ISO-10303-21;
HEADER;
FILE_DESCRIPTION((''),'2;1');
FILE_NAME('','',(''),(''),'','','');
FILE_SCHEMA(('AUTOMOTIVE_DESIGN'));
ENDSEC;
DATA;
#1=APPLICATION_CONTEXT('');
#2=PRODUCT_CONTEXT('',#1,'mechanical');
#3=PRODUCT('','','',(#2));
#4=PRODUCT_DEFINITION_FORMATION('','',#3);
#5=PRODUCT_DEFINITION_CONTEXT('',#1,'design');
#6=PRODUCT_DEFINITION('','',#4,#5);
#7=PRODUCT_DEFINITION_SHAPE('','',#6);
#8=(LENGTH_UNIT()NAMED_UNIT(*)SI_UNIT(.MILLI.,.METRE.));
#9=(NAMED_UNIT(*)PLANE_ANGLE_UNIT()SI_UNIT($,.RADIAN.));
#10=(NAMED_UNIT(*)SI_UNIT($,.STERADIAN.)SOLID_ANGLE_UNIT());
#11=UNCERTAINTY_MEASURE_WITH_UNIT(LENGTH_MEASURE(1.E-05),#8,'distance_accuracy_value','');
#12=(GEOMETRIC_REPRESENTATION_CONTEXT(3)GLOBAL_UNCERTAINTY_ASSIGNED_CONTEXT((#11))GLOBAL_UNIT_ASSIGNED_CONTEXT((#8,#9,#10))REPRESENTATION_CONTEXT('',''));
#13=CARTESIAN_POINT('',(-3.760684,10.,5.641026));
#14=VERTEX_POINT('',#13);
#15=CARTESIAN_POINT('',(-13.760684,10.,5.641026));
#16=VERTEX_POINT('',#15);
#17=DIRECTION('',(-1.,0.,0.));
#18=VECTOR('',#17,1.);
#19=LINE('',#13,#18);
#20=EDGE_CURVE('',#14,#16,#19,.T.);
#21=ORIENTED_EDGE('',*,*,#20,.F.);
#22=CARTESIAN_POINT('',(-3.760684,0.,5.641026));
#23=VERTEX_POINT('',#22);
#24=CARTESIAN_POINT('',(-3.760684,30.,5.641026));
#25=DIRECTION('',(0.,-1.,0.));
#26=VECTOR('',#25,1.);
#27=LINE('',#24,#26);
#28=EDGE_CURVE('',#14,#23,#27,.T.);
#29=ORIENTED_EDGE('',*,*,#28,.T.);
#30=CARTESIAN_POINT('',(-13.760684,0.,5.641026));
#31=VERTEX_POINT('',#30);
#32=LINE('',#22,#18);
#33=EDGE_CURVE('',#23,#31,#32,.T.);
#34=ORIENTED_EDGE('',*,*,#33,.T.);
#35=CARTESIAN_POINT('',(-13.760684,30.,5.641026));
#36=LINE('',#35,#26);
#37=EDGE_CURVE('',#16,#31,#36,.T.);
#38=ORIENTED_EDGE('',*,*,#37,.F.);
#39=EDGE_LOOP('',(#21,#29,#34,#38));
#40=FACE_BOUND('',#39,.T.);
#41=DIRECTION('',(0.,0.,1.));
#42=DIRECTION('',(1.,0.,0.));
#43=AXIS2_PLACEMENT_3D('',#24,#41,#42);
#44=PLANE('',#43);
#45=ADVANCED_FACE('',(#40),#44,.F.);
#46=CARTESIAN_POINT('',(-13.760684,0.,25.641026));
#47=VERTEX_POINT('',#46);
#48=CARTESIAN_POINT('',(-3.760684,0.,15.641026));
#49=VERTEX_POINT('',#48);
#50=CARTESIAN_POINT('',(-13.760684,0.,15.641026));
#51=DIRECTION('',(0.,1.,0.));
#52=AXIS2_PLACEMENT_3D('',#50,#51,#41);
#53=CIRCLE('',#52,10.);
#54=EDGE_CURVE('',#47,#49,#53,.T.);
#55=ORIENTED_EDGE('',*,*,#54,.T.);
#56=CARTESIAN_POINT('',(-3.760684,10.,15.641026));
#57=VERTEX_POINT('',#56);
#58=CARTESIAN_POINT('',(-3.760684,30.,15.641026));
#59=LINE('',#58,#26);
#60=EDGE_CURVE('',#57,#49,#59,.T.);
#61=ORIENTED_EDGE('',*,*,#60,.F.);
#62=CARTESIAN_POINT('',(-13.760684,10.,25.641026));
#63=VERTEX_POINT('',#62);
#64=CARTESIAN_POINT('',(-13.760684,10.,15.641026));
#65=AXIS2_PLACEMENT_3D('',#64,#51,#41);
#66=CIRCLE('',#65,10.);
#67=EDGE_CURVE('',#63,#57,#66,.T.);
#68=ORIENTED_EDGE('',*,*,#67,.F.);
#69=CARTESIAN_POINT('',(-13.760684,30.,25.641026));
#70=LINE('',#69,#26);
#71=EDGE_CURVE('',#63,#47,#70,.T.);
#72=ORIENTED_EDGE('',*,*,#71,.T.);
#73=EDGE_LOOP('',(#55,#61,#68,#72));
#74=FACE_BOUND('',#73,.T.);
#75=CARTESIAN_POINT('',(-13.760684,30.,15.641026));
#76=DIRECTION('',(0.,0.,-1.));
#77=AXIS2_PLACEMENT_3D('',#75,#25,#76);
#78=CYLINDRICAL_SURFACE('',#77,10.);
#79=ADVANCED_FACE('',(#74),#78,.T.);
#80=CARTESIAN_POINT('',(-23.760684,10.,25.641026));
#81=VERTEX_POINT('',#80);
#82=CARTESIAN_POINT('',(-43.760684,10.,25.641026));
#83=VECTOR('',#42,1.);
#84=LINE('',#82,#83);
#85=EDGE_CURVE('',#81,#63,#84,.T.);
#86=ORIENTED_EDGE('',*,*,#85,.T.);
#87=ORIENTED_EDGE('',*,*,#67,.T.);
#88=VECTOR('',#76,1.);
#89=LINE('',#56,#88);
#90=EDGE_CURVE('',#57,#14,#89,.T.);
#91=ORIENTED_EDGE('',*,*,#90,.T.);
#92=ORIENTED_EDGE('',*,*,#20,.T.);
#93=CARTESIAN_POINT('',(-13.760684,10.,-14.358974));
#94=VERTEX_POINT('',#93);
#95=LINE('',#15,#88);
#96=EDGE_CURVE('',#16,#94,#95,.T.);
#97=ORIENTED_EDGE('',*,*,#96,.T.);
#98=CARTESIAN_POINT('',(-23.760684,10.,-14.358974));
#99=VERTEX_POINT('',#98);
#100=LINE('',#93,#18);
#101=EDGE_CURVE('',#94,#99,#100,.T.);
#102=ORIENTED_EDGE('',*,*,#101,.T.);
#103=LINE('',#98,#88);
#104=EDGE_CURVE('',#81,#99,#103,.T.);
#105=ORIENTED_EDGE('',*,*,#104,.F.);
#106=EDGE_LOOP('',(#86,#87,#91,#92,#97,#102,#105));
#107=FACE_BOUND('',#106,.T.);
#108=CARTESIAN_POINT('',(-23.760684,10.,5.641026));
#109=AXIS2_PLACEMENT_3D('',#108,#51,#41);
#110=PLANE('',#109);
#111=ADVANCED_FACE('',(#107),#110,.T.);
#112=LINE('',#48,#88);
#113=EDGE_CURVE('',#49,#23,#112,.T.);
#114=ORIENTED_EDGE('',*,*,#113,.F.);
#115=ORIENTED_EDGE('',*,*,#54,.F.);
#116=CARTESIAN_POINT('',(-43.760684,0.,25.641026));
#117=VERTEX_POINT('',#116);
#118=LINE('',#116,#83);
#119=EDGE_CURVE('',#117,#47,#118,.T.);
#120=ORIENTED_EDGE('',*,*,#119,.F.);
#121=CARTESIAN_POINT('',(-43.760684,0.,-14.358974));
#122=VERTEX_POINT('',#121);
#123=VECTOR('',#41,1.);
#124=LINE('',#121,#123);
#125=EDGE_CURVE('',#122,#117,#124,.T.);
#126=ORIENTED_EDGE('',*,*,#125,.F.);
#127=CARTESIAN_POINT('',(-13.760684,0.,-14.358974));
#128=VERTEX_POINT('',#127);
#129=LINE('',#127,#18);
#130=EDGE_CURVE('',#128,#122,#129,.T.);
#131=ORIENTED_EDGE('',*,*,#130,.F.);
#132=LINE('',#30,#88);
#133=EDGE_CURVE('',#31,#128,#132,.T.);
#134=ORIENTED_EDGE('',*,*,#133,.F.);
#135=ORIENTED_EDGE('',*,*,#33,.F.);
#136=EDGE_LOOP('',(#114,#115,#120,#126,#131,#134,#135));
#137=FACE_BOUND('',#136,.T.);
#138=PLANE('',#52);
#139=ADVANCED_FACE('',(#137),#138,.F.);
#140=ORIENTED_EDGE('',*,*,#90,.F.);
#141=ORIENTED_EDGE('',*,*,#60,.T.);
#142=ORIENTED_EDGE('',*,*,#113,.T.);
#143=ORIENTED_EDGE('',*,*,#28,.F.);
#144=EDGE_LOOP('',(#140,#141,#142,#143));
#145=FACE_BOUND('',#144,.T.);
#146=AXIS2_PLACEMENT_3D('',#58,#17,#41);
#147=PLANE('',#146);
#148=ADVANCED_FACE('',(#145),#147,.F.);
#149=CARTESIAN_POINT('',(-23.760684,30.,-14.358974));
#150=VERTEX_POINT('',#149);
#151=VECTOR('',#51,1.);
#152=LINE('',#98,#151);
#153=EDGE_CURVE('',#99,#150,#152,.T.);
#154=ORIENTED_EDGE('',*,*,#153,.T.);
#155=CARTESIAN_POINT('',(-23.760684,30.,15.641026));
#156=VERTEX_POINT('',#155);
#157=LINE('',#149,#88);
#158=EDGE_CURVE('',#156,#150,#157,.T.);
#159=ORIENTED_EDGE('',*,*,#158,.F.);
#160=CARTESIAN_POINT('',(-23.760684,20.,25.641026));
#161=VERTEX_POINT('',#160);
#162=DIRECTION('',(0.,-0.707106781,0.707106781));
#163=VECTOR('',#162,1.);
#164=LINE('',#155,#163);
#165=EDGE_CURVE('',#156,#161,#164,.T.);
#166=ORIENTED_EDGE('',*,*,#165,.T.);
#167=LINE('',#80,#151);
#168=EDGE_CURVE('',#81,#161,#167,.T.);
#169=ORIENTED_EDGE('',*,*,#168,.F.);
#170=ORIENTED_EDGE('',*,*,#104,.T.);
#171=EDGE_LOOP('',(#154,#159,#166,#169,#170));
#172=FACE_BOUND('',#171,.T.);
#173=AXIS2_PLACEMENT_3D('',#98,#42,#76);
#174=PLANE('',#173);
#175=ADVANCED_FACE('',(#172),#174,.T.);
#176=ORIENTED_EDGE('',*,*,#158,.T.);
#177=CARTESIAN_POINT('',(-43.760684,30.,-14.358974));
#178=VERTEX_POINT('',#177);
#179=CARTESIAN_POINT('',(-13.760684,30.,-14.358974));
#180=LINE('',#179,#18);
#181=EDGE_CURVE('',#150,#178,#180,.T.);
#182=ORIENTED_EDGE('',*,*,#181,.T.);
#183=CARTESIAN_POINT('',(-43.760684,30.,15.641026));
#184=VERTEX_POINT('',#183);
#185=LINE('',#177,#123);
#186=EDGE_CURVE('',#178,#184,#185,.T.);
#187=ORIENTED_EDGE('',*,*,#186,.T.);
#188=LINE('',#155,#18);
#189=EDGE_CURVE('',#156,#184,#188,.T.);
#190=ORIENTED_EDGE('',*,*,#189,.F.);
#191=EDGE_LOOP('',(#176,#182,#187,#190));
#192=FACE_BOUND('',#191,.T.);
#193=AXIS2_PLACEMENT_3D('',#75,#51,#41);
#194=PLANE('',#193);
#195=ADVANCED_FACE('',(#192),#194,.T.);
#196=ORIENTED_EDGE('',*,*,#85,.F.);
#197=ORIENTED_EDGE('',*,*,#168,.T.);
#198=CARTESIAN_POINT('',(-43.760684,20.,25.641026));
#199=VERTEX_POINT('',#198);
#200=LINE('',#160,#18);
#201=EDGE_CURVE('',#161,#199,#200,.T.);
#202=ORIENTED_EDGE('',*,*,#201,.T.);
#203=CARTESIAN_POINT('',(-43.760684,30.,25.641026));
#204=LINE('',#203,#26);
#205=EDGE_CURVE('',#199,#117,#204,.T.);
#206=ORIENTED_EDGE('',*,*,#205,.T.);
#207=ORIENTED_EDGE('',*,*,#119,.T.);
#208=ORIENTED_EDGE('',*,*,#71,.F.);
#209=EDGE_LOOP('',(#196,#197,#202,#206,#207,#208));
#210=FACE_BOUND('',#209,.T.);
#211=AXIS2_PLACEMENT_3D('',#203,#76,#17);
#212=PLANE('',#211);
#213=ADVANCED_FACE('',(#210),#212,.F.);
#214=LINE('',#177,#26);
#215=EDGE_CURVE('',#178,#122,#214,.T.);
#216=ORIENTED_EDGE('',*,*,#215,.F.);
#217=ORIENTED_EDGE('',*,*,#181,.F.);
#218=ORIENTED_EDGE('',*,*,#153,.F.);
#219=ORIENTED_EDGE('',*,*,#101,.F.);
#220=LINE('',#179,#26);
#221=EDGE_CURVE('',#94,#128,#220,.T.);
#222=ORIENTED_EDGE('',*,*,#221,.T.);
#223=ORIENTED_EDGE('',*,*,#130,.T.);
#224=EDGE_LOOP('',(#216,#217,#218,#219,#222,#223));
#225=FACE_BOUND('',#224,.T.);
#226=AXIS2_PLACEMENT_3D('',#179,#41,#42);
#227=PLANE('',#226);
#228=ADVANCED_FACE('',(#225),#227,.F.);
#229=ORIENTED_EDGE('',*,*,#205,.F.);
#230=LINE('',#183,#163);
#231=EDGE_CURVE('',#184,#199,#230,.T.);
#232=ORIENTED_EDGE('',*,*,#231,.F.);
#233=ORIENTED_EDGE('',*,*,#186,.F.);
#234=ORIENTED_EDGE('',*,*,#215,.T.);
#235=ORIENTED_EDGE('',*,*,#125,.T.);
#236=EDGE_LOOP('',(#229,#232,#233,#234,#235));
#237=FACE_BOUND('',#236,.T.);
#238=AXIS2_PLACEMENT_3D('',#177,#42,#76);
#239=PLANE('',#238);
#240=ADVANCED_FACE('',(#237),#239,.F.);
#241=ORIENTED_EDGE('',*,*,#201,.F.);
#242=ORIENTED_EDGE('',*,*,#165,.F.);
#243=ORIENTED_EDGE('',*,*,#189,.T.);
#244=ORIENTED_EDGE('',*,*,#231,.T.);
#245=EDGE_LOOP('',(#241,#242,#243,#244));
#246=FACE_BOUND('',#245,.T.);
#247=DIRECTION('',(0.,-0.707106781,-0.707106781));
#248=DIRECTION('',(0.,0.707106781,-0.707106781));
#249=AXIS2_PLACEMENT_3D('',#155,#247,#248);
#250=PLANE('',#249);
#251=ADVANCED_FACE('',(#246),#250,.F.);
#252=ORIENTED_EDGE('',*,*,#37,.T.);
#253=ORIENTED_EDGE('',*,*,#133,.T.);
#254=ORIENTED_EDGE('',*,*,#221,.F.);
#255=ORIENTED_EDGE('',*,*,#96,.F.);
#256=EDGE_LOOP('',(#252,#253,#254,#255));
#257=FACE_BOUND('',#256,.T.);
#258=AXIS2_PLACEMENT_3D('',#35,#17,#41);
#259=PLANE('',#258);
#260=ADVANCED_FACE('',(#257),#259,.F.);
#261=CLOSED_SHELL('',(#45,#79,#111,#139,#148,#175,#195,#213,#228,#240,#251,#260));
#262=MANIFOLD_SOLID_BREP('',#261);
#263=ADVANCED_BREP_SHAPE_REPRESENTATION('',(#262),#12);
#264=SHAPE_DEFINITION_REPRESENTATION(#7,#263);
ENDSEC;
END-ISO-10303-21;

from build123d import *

# Parameters (mm, degrees)
BOSS_EXTRUDE1_DEPTH = 30
SKETCH3_OUTSIDE_W   = 54.806
SKETCH3_OUTSIDE_H   = 54.806
SKETCH3_OUTSIDE_W_2 = 20
SKETCH3_OUTSIDE_H_2 = 40
CUT_EXTRUDE1_DEPTH  = 20
CUT_EXTRUDE2_DEPTH  = 20


with BuildPart() as part:
    # Sketch2 → Boss-Extrude1 (new body)
    with BuildSketch(Plane(origin=(0, 0, 0), x_dir=(1, 0, 0), z_dir=(0, 1, 0))):
        with BuildLine():
            Line((-43.760683761, 14.358974359), (-43.760683761, -25.641025641))
            Line((-43.760683761, -25.641025641), (-13.760683761, -25.641025641))
            ThreePointArc((-13.760683761, -25.641025641), (-6.689615949, -22.712093453), (-3.760683761, -15.641025641))
            Line((-3.760683761, -15.641025641), (-3.760683761, -5.641025641))
            Line((-3.760683761, -5.641025641), (-13.760683761, -5.641025641))
            Line((-13.760683761, -5.641025641), (-13.760683761, 14.358974359))
            Line((-13.760683761, 14.358974359), (-43.760683761, 14.358974359))
        make_face()
    extrude(amount=BOSS_EXTRUDE1_DEPTH)

    # Sketch3 outside → Cut-Extrude1 (cut)
    with BuildSketch(Plane(origin=(0, 30, 0), x_dir=(1, 0, 0), z_dir=(0, 1, 0))):
        with Locations((-23.761, -5.641)):
            Rectangle(SKETCH3_OUTSIDE_W, SKETCH3_OUTSIDE_H)
        with Locations((-33.760683761, -5.641025641)):
            Rectangle(SKETCH3_OUTSIDE_W_2, SKETCH3_OUTSIDE_H_2, mode=Mode.SUBTRACT)
    extrude(amount=-CUT_EXTRUDE1_DEPTH, mode=Mode.SUBTRACT)

    # Sketch4 → Cut-Extrude2 (cut)
    with BuildSketch(Plane.ZY.offset(43.760683761)):
        Polygon((15.641025641, 30), (25.641025641, 20), (25.641025641, 30), align=None)
    extrude(amount=-CUT_EXTRUDE2_DEPTH, mode=Mode.SUBTRACT)


solid = part.part
